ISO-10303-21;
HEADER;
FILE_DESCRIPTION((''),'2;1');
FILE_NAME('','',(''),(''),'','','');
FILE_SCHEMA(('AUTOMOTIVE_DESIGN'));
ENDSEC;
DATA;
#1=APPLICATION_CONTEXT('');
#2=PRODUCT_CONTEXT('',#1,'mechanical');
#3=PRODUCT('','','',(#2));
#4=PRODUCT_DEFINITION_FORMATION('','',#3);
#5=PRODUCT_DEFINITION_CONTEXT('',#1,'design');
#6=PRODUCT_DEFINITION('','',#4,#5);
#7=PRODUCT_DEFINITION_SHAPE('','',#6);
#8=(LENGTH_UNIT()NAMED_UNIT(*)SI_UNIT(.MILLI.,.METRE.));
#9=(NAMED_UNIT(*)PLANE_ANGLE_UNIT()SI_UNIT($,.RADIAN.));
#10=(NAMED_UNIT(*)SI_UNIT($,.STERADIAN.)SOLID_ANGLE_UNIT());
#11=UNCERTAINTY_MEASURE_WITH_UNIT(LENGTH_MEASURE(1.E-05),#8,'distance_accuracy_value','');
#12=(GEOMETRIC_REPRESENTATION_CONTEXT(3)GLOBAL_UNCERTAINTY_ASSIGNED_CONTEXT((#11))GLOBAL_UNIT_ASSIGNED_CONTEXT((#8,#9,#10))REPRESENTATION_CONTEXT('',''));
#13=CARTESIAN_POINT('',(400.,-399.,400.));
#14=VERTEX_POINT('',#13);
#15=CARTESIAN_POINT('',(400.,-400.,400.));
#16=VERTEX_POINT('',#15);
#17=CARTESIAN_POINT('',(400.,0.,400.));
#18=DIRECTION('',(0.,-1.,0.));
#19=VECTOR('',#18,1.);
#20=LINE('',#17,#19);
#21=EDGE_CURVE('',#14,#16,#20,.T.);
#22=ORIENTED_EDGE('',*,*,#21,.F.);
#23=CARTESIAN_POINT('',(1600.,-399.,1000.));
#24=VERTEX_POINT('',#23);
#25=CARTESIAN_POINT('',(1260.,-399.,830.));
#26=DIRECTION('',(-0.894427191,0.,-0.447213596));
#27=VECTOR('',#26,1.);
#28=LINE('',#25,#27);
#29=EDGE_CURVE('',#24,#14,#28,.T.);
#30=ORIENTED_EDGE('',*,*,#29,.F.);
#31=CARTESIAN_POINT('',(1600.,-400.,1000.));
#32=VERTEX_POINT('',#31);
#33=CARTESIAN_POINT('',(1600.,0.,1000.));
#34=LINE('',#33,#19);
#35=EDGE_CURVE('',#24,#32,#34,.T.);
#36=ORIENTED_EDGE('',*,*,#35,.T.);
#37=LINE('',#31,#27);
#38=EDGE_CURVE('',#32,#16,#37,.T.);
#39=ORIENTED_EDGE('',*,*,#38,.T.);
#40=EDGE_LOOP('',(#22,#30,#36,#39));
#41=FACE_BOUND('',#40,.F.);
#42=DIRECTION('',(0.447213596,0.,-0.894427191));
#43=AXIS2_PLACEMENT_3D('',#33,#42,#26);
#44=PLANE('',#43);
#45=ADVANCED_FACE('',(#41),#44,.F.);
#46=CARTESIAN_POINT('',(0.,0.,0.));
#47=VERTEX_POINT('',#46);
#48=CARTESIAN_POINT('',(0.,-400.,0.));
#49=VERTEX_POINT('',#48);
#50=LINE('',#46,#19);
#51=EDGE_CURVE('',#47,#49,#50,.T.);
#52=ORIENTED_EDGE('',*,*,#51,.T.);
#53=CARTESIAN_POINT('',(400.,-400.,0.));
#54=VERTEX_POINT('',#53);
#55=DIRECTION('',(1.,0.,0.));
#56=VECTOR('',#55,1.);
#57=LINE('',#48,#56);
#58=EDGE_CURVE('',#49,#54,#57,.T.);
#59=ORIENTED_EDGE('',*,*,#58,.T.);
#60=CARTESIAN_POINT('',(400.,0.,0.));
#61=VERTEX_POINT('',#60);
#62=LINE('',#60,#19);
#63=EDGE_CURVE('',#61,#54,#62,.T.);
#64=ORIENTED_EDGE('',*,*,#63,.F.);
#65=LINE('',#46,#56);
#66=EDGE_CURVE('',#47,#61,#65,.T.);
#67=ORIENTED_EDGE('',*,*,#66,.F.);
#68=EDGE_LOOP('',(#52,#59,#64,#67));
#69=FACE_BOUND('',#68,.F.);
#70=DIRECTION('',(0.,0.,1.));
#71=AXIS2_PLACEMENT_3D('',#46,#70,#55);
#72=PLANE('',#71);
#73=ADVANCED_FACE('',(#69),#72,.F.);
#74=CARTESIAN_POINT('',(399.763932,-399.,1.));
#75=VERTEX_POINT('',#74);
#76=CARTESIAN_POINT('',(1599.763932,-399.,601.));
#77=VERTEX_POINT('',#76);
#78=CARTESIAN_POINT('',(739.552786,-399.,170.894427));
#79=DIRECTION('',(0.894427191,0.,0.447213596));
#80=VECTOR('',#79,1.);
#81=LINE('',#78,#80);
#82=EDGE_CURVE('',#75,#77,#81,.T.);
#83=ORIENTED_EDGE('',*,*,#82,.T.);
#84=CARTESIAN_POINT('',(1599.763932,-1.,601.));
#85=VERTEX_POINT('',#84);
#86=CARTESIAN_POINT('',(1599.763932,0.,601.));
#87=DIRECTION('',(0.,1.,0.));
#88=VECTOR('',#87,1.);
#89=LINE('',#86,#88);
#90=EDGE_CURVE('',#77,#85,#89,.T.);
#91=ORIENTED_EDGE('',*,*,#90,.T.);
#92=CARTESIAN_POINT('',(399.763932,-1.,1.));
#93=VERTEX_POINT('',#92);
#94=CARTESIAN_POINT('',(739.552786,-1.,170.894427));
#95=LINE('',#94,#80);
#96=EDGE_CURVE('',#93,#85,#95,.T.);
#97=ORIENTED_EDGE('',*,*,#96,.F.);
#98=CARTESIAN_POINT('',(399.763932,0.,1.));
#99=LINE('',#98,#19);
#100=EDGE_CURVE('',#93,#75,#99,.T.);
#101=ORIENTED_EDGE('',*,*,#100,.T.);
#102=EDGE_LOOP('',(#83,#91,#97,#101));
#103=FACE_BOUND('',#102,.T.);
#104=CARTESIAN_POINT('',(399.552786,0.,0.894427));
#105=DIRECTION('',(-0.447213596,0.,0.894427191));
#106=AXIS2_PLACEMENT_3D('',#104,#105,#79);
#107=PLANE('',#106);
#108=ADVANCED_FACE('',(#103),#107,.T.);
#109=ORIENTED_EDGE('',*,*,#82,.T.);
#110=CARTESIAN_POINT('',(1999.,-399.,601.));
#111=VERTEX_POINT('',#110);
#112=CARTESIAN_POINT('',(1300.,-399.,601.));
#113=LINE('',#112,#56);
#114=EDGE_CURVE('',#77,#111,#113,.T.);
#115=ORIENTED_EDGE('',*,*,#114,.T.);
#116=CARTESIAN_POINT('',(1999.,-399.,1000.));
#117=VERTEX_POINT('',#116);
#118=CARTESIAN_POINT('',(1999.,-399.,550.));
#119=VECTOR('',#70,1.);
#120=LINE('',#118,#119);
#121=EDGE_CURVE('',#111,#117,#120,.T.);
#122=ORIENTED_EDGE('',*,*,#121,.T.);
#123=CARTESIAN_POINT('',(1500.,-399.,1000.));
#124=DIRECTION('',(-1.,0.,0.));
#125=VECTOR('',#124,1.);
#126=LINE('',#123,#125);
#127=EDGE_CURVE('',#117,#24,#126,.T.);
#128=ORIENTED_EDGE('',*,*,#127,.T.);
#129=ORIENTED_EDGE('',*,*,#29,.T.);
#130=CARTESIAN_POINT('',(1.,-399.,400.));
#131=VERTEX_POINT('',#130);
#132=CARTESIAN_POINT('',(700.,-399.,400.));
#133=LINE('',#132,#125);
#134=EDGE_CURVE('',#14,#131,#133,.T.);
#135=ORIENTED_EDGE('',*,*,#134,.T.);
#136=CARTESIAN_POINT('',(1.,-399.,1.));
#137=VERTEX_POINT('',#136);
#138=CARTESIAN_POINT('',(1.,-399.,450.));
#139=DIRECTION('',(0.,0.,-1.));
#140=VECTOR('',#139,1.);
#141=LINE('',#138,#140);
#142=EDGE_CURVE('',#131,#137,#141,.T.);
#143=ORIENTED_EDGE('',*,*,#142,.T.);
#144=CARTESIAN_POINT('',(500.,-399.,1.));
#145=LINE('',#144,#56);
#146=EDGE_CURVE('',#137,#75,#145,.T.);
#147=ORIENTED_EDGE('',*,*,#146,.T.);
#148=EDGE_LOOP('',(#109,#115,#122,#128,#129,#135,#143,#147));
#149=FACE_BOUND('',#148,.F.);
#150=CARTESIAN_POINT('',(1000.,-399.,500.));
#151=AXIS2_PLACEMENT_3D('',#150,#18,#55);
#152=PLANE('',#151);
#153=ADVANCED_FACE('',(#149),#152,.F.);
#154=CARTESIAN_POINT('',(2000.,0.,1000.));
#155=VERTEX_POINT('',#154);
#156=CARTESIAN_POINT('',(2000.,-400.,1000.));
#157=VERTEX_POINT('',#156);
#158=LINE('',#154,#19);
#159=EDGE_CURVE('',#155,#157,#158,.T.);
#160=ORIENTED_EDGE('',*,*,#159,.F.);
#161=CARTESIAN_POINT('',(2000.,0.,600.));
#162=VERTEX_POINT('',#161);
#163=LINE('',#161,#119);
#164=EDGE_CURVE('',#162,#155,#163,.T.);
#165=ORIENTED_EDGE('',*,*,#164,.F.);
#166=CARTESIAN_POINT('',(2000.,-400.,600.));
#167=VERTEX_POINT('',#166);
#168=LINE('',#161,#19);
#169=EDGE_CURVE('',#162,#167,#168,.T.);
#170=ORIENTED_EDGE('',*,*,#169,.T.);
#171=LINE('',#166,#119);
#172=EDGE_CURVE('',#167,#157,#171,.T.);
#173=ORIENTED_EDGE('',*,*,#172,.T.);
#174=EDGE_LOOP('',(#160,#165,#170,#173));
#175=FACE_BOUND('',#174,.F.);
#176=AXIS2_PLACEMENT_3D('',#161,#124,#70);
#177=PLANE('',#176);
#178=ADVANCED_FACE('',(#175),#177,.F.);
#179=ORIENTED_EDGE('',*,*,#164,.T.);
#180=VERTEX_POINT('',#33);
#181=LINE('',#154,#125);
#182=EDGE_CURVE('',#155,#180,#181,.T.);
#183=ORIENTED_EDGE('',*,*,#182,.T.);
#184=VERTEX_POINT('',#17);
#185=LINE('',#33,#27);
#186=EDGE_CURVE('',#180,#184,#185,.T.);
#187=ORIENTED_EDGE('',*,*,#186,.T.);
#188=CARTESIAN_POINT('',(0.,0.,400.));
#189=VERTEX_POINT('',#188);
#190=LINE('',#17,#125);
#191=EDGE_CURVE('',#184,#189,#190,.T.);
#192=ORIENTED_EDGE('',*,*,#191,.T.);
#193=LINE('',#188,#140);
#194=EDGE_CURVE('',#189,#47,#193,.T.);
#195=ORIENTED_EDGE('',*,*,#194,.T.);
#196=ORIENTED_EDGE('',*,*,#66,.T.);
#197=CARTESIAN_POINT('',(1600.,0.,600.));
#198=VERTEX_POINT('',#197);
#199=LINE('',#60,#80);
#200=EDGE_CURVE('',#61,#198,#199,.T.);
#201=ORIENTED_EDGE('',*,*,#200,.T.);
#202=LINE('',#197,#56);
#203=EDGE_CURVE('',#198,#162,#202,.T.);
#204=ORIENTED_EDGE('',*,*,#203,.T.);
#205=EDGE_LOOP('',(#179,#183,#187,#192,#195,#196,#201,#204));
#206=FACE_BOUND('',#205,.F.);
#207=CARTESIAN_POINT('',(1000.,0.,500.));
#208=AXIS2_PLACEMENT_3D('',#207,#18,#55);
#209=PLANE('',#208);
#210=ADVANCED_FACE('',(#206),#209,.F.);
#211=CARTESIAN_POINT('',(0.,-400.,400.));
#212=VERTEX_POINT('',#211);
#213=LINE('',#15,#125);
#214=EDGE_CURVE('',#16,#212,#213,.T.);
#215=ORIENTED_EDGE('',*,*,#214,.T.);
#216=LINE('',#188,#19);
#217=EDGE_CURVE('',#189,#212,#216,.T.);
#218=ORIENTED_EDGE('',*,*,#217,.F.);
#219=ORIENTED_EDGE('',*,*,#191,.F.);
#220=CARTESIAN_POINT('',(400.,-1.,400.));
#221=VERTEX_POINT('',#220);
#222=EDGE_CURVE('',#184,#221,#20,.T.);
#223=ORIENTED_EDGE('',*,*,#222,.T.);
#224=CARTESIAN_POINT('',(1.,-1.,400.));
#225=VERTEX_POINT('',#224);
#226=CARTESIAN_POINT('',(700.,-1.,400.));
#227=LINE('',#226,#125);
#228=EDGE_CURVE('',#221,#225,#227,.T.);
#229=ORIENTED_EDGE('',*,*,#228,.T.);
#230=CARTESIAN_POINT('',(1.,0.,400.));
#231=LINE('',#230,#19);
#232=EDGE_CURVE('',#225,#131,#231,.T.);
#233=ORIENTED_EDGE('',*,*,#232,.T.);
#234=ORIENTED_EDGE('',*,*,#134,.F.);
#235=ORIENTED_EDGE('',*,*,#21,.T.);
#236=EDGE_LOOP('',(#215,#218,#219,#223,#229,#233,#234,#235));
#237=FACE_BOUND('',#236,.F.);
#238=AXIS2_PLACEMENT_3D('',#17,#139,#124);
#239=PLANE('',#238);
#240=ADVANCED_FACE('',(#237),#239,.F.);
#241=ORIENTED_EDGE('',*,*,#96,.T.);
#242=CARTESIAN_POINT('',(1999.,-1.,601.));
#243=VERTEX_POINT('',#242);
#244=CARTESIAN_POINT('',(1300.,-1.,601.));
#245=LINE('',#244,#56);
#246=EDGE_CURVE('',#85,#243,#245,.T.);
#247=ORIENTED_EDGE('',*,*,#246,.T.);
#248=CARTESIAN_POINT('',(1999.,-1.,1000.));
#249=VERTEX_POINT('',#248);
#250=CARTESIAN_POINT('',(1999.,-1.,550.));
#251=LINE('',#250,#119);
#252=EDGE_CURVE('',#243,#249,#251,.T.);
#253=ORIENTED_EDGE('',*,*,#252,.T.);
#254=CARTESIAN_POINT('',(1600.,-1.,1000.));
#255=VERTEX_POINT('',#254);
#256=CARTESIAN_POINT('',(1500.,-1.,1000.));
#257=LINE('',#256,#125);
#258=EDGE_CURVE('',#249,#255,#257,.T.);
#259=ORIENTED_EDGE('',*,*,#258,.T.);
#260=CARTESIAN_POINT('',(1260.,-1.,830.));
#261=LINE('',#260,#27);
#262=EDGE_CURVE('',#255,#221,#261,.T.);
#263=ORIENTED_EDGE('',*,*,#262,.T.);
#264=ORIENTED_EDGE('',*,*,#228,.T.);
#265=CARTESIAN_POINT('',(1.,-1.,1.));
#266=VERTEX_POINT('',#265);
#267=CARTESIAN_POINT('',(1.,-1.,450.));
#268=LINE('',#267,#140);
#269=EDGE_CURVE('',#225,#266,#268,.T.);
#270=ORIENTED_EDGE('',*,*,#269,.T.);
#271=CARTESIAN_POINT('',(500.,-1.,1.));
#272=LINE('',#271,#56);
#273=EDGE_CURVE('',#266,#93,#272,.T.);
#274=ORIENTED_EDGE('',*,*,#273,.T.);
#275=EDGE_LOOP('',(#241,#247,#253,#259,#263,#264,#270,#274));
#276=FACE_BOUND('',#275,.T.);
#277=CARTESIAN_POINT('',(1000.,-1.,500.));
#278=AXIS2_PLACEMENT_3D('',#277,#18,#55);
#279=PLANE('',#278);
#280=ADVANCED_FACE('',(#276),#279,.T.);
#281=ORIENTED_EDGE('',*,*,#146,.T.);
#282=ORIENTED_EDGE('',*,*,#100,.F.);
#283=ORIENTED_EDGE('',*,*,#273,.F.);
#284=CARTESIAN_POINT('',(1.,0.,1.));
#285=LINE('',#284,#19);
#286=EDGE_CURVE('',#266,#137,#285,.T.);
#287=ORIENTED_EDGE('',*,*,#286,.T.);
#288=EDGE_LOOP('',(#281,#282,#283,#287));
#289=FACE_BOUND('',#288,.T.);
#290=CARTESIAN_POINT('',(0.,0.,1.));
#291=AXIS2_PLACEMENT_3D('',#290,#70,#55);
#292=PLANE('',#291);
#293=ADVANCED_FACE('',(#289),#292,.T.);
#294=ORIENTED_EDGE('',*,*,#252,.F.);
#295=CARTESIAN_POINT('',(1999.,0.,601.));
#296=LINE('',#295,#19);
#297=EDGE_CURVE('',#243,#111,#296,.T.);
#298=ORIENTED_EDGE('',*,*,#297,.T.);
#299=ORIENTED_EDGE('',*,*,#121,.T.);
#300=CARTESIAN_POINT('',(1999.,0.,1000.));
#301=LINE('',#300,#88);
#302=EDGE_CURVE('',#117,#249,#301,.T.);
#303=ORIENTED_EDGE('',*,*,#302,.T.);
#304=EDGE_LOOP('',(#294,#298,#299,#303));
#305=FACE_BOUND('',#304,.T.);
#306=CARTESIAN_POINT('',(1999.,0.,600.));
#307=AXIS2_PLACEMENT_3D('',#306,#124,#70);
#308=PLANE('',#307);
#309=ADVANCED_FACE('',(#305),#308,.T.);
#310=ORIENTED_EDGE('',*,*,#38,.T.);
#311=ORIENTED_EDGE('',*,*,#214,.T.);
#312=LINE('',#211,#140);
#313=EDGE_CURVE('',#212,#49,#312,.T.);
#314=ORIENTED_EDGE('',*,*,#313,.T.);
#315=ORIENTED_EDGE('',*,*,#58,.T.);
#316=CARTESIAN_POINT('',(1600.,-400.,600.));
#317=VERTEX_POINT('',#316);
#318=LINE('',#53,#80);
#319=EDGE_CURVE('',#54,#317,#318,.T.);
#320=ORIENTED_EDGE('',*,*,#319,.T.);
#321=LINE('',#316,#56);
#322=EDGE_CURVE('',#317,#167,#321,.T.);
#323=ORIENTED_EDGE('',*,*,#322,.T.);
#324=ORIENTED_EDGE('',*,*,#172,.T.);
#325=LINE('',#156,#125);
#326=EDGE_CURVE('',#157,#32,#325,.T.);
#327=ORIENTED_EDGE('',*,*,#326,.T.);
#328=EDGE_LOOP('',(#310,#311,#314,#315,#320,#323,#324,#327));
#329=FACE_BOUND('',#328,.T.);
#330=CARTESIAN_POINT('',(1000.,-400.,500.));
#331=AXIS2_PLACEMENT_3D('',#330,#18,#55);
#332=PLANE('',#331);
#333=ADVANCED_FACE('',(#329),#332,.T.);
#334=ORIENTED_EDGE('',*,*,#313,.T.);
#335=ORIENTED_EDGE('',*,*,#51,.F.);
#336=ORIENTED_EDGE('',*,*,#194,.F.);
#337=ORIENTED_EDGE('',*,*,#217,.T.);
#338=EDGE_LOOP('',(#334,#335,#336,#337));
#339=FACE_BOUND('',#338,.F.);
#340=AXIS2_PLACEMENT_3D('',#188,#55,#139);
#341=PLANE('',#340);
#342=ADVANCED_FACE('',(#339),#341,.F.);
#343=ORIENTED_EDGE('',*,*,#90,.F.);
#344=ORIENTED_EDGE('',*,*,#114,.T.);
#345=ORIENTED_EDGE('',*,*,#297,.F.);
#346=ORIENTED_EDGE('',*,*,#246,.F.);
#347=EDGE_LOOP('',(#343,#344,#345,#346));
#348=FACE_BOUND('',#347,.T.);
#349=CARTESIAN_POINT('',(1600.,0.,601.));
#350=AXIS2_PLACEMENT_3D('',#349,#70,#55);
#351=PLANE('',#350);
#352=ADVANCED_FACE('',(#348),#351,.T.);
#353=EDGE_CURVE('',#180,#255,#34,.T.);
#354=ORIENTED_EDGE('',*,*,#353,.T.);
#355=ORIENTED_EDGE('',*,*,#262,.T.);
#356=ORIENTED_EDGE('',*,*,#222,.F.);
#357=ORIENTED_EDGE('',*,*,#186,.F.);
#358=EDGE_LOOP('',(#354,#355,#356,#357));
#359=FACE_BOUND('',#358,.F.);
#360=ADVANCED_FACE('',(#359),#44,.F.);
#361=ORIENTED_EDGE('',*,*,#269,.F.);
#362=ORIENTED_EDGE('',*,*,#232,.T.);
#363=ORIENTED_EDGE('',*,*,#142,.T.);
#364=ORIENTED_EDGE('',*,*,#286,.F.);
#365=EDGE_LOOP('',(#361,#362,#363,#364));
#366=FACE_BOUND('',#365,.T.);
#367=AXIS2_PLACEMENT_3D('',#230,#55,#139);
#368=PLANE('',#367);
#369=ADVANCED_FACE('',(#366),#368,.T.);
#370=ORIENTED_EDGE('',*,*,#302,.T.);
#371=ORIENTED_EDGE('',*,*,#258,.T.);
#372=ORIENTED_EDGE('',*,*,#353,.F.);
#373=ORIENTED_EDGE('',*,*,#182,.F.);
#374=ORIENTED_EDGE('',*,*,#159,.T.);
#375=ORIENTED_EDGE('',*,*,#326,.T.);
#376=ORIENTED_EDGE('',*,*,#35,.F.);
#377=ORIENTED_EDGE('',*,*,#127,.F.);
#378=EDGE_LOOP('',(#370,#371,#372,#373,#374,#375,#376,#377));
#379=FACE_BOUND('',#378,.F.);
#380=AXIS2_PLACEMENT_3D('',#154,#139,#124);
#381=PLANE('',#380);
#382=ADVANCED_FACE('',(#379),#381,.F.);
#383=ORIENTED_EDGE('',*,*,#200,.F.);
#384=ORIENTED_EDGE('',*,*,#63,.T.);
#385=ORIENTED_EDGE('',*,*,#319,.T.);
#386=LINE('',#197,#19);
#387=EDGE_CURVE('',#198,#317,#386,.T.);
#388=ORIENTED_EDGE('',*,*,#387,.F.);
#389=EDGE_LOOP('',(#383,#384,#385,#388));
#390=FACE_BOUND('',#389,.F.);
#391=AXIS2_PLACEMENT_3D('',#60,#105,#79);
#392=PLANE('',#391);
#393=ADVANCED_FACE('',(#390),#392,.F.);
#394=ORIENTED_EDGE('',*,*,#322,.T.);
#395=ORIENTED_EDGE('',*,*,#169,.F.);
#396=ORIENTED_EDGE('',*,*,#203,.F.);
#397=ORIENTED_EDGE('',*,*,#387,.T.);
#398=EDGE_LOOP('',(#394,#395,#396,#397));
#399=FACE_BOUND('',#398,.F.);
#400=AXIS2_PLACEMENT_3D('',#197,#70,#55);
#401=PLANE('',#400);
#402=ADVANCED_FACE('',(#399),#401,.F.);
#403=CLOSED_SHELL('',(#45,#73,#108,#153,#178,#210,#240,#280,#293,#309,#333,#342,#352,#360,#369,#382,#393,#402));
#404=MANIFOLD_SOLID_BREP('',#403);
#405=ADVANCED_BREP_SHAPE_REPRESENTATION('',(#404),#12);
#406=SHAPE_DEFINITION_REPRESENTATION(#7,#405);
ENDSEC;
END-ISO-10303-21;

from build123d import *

# Parameters (mm, degrees)
F1_DEPTH = 400
F2_T     = -1


with BuildPart() as f1:
    # F0 (on Front) → F1 (new body)
    with BuildSketch(Plane.XZ):
        Polygon((0, 400), (0, 0), (400, 0), (1600, 600), (2000, 600), (2000, 1000), (1600, 1000), (400, 400), align=None)
    extrude(amount=F1_DEPTH)

    # F2
    f2_openings = [f1.faces().sort_by_distance(p)[0] for p in [
        (200, -200, 400),
        (1000, -200, 700),
        (1800, -200, 1000),
    ]]
    offset(amount=F2_T, openings=f2_openings, kind=Kind.INTERSECTION)


solid = f1.part
